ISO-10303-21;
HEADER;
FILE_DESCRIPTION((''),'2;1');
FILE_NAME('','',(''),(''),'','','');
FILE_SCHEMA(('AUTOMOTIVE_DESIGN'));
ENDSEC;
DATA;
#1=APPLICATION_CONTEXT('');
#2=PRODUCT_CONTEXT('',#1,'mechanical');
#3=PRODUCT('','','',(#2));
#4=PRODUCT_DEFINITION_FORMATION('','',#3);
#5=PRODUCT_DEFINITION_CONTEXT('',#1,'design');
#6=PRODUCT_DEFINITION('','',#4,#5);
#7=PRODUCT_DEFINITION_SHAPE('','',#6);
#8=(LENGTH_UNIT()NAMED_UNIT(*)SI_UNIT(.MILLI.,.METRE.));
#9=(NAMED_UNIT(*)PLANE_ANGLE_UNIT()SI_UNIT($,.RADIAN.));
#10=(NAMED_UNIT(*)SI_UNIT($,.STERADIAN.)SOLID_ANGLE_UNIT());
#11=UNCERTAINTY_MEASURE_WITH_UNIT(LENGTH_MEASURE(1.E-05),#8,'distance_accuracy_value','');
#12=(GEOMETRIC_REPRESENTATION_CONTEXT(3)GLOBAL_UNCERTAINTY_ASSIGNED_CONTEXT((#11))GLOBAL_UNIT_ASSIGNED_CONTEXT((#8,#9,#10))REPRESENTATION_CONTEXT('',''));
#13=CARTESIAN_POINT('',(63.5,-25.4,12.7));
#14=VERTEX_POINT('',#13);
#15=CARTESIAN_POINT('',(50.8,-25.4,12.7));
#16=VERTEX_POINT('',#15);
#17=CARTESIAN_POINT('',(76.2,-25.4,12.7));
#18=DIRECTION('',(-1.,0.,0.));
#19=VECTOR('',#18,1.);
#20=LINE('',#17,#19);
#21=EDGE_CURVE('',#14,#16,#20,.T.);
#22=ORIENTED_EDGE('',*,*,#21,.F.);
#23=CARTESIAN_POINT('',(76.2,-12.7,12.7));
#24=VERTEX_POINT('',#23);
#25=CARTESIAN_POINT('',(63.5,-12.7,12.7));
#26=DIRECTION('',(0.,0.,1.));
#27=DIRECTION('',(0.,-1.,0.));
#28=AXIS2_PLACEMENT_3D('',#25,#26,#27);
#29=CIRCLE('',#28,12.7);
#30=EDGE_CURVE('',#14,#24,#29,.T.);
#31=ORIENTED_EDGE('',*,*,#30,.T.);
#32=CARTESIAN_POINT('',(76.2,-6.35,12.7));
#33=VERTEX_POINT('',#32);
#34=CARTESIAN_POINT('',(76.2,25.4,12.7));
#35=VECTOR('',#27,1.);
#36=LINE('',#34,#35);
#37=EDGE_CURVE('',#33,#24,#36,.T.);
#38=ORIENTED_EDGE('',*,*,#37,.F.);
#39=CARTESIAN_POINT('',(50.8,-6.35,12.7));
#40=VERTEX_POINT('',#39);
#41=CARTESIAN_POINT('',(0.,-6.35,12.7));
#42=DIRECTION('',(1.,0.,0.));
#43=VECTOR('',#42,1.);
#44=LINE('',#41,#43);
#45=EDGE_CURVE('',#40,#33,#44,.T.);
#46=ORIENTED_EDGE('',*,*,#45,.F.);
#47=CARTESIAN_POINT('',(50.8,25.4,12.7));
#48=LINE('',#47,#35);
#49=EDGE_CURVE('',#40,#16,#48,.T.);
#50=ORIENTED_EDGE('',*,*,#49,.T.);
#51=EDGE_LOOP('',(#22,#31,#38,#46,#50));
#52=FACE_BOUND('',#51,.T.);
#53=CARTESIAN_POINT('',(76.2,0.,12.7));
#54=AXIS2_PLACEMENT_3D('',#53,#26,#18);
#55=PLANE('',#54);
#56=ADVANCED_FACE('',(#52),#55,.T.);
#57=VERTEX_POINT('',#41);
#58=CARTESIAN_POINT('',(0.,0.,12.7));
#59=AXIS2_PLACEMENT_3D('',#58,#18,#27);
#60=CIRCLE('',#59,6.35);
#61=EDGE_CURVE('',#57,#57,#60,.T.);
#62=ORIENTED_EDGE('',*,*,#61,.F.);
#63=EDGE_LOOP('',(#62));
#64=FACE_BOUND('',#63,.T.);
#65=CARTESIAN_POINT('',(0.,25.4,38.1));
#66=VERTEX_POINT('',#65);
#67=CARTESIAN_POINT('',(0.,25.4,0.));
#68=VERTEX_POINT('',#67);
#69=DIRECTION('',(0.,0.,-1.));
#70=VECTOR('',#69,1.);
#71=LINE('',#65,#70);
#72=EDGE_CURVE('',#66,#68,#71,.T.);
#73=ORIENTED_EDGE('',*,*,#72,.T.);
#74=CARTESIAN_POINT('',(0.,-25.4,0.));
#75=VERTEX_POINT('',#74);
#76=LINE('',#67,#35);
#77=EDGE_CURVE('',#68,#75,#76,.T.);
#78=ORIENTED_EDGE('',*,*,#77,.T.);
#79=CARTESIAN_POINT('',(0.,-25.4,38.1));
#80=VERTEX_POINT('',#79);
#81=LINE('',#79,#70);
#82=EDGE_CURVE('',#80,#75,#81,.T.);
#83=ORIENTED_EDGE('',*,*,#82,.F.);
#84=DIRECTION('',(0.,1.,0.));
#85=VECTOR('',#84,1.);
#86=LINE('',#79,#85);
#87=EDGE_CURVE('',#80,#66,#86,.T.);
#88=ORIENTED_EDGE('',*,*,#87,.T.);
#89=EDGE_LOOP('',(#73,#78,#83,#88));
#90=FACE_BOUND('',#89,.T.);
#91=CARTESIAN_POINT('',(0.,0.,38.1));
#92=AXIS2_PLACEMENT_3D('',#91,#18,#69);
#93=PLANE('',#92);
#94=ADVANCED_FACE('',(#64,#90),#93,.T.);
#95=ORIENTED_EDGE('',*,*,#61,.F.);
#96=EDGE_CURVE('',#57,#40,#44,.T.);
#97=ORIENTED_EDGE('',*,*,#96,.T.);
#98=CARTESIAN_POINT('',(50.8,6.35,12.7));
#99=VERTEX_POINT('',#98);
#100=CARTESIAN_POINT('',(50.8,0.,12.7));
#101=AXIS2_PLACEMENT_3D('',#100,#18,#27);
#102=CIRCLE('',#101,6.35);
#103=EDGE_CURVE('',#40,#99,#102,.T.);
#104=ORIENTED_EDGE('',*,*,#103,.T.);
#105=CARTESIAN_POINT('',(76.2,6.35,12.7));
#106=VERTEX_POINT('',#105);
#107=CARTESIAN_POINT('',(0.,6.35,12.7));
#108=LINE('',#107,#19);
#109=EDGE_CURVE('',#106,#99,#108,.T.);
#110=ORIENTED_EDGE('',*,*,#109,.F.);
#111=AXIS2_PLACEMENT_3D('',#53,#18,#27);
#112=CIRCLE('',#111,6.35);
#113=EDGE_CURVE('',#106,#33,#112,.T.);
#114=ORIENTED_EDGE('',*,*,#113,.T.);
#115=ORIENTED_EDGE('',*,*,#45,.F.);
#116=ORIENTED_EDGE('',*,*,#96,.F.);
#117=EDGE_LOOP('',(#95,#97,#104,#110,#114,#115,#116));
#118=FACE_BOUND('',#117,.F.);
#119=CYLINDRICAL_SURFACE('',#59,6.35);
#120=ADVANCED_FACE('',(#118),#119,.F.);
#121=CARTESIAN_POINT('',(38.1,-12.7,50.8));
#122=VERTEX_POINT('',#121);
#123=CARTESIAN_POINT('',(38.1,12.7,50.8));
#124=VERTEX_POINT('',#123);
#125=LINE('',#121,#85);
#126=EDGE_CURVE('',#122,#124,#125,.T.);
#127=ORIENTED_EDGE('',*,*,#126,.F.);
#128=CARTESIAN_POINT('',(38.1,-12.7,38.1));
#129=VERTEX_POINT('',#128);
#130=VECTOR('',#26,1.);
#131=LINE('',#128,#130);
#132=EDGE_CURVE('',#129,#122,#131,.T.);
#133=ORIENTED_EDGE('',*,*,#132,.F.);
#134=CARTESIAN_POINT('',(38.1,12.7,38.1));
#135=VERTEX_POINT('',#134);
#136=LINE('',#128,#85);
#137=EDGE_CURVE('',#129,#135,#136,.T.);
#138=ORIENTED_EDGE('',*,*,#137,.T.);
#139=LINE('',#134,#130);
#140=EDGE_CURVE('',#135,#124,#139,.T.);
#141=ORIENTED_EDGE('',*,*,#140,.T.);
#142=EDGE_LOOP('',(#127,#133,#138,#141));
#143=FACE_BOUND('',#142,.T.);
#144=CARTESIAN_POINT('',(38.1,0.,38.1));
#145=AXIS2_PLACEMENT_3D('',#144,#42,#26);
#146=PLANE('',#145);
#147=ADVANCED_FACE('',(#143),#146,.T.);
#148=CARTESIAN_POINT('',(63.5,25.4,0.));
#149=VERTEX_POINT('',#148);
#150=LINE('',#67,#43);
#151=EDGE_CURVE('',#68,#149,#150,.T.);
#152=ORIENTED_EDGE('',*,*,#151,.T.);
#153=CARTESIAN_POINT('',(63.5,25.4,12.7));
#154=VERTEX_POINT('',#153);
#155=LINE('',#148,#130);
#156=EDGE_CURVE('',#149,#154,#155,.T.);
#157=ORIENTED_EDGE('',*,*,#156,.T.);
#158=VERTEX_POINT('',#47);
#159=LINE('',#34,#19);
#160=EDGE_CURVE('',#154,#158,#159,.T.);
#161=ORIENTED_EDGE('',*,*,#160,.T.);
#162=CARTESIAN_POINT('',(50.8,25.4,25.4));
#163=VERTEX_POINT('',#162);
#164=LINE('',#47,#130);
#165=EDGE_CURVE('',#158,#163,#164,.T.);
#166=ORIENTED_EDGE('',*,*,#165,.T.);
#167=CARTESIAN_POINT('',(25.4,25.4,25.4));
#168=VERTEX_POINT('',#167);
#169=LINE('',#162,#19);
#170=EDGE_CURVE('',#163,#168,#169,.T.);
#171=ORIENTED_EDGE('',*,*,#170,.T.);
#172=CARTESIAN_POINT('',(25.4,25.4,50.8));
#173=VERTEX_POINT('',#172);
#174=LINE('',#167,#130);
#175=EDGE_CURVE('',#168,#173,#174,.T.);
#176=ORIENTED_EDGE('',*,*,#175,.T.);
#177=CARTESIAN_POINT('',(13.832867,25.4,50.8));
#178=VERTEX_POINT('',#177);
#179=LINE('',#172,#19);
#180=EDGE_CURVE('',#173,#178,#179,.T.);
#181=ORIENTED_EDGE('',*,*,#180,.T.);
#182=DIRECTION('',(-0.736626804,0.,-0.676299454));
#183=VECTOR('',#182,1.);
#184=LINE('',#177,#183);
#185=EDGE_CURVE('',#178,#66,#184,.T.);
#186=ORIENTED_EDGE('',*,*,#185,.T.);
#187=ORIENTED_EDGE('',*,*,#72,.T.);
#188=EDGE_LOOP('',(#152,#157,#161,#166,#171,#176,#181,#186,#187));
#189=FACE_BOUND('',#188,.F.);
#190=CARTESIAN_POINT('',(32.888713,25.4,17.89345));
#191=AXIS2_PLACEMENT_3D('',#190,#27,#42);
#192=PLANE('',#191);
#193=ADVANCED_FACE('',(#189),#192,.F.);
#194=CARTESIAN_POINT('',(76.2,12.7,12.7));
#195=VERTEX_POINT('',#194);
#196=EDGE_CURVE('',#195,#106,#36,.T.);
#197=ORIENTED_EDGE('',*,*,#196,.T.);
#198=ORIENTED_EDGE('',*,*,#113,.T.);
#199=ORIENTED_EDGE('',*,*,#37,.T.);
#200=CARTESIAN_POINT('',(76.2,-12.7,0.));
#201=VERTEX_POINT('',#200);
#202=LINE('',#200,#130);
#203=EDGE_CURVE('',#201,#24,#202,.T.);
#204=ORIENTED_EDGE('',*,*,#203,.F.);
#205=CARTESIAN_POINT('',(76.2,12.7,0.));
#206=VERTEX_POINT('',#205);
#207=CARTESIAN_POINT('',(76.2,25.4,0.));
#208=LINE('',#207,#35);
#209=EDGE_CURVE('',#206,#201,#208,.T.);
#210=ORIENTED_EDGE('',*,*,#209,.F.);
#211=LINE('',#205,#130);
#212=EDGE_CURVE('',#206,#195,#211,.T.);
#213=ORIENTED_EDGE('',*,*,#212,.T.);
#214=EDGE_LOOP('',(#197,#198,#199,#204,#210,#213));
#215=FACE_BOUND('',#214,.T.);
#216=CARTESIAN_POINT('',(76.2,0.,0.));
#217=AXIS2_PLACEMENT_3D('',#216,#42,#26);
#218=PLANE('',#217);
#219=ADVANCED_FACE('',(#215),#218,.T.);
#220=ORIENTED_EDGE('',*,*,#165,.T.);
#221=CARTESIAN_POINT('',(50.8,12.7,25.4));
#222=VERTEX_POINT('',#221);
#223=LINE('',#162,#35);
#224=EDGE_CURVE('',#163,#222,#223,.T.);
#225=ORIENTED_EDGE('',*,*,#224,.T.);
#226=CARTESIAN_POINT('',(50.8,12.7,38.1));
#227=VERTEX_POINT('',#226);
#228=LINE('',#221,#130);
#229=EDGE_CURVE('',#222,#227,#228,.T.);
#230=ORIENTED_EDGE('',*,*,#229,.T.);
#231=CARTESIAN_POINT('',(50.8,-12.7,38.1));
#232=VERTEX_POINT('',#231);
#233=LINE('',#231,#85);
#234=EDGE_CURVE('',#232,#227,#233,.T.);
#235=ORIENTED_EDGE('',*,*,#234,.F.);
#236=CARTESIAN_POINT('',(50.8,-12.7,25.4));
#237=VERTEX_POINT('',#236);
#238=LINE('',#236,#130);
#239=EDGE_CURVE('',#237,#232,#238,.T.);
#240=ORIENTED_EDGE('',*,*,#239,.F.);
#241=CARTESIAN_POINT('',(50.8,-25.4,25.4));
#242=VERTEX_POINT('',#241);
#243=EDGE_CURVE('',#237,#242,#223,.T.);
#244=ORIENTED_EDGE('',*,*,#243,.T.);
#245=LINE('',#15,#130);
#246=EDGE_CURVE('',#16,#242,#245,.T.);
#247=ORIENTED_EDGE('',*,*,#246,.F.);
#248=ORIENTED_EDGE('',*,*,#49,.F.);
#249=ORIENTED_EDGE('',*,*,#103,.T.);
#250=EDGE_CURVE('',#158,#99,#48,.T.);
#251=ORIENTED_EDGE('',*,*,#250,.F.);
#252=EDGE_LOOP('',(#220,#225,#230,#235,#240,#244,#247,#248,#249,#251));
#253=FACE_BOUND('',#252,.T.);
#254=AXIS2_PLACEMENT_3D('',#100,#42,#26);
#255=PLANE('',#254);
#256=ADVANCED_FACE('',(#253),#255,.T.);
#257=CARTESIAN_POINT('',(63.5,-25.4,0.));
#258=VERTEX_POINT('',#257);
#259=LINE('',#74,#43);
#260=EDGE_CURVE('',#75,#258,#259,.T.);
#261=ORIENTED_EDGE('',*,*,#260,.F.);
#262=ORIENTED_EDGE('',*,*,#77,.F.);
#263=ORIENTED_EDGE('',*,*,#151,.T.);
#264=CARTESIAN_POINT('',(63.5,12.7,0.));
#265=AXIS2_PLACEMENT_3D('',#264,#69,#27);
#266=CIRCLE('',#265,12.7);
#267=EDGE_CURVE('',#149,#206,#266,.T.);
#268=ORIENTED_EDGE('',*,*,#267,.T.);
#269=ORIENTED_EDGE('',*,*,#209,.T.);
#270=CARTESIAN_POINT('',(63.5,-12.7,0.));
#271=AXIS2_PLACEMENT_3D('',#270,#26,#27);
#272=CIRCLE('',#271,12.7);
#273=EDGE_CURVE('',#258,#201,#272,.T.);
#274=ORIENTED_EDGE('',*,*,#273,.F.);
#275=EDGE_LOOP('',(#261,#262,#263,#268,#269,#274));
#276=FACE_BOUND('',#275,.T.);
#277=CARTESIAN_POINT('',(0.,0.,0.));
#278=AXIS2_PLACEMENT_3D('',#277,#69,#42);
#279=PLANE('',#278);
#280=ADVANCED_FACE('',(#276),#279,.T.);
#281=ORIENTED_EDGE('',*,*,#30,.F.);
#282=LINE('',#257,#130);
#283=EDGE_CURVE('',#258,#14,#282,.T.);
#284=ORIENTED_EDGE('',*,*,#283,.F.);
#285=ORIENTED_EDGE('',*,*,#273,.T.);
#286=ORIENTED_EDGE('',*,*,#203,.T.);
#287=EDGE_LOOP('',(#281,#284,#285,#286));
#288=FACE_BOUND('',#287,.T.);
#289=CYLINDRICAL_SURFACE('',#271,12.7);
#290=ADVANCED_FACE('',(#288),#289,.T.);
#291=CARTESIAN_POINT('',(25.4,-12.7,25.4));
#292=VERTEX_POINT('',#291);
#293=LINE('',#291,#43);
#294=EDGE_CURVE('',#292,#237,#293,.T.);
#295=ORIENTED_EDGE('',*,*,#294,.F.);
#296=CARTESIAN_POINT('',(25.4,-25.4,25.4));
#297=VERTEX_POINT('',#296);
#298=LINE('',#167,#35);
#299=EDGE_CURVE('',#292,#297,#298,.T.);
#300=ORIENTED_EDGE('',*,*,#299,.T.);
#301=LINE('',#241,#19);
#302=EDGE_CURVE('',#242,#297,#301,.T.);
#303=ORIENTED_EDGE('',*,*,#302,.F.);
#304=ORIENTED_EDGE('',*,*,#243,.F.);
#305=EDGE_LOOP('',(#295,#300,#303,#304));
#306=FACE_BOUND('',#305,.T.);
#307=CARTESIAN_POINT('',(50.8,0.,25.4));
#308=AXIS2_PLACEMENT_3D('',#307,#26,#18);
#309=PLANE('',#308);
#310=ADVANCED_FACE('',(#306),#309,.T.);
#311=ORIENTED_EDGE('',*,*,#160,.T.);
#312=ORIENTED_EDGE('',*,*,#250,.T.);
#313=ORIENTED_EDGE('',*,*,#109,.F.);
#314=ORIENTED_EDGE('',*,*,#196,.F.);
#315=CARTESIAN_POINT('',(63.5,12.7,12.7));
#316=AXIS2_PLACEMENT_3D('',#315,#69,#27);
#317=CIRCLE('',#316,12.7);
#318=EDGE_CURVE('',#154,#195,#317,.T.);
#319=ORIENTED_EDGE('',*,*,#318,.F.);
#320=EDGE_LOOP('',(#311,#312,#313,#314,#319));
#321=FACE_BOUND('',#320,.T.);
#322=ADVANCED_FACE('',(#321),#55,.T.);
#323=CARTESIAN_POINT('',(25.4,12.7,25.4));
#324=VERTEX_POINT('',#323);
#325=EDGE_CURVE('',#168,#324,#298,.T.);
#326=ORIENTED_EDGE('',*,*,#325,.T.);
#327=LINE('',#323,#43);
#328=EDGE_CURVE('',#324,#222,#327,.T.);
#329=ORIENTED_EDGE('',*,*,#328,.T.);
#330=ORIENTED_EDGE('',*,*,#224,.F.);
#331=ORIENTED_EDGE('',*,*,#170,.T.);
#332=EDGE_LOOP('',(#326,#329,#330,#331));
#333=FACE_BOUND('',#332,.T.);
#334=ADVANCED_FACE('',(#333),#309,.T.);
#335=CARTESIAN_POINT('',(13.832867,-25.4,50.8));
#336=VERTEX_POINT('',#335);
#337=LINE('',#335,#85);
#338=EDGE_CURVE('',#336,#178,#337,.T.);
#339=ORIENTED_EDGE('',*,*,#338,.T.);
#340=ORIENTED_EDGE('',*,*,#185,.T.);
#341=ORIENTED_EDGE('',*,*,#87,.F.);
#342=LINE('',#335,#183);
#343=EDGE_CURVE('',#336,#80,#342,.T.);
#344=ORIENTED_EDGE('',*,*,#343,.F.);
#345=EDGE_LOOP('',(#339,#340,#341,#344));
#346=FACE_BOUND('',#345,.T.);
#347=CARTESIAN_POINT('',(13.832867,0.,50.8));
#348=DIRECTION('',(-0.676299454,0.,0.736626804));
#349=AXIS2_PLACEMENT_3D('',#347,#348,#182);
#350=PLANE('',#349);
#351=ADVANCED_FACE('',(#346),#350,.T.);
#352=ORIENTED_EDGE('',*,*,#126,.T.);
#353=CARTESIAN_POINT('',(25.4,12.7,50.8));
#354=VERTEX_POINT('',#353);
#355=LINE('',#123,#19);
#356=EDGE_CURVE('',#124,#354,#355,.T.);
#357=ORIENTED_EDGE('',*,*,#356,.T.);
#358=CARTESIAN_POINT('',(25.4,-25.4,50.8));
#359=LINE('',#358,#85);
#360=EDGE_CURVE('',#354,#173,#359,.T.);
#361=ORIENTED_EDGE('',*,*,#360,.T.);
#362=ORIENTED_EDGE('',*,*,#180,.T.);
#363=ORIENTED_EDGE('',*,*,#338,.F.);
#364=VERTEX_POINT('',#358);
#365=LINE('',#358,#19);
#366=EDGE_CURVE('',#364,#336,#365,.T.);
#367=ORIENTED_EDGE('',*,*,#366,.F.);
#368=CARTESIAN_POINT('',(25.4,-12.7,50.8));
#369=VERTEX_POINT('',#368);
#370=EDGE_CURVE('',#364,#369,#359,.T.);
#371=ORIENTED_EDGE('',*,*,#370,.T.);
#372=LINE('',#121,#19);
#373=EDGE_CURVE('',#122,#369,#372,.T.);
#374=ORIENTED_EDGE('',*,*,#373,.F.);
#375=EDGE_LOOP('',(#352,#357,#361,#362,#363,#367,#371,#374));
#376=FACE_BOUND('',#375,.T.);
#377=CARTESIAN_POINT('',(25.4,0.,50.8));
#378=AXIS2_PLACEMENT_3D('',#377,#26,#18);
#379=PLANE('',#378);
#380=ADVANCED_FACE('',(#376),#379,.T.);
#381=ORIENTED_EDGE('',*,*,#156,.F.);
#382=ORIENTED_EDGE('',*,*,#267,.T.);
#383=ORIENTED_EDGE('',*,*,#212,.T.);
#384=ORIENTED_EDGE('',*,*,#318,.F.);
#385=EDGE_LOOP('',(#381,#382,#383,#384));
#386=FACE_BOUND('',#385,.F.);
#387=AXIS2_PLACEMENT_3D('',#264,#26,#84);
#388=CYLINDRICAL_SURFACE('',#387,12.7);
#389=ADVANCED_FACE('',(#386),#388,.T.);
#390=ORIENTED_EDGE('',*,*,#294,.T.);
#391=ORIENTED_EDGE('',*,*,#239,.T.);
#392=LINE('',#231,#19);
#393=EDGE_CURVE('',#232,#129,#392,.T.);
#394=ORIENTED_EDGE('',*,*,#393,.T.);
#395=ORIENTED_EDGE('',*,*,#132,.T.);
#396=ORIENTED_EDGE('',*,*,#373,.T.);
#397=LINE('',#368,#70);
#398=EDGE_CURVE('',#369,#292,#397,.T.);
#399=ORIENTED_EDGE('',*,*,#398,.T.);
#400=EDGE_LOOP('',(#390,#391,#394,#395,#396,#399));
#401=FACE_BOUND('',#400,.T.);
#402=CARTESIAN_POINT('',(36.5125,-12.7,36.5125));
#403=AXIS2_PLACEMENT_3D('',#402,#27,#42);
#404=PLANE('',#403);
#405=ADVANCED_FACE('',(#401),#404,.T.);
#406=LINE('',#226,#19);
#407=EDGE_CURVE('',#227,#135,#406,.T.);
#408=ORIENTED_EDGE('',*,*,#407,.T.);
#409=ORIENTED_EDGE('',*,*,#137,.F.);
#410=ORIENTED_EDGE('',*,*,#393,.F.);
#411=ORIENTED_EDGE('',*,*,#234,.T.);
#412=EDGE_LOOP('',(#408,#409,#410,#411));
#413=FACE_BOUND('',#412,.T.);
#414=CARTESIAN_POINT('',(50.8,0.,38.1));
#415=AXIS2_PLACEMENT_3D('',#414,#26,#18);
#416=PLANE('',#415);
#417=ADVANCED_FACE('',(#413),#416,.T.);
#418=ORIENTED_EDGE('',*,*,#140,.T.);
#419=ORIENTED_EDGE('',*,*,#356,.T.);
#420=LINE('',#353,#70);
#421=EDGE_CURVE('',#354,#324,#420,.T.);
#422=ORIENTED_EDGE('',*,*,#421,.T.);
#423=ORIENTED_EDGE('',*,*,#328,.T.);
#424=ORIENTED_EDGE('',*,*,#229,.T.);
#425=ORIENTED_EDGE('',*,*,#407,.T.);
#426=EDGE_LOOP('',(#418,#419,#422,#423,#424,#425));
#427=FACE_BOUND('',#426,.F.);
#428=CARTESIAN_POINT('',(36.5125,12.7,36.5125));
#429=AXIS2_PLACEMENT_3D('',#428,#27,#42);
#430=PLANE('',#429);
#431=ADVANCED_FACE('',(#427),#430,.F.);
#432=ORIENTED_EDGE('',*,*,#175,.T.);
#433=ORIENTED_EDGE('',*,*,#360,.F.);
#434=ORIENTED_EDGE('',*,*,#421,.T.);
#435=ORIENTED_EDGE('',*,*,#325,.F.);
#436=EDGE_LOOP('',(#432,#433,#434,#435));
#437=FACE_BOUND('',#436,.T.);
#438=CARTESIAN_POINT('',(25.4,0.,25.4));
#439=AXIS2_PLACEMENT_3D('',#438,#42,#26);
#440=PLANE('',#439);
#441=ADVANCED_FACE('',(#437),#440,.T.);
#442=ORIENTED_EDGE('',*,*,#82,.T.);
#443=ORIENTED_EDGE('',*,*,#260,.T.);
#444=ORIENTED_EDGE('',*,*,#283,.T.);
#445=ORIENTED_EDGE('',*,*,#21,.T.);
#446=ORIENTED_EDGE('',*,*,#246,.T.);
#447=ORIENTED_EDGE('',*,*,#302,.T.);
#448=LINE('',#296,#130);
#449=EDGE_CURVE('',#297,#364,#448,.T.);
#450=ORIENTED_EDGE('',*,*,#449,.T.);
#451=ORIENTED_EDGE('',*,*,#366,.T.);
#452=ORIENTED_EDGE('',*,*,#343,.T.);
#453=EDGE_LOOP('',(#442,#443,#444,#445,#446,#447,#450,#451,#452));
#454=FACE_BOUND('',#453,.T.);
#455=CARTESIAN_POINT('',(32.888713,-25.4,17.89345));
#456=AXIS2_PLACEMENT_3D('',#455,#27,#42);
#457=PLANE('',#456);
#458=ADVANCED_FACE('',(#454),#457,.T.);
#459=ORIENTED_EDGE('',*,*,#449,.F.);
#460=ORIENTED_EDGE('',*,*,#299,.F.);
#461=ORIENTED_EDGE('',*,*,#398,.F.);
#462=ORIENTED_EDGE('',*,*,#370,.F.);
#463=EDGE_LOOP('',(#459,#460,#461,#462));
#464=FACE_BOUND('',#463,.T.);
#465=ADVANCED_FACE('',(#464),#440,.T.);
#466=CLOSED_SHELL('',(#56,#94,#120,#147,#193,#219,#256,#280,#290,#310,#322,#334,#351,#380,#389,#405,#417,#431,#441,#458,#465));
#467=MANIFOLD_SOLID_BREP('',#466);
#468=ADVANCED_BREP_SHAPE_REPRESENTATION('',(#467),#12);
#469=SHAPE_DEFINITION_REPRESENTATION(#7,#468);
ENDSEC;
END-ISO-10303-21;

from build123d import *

# Parameters (mm, degrees)
F1_DEPTH = 25.4
F2_DEPTH = 12.7
F3_R     = 6.35
F4_DEPTH = 76.201
F5_R     = 12.7


with BuildPart() as f1:
    # F0 (on Front) → F1 (new body, symmetric)
    with BuildSketch(Plane.XZ):
        Polygon((0, 38.1), (0, 0), (76.2, 0), (76.2, 12.7), (50.8, 12.7), (50.8, 25.4), (25.4, 25.4), (25.4, 50.8), (13.832867, 50.8), align=None)
    extrude(amount=F1_DEPTH, both=True)

    # F0 (on Front) → F2 (join, symmetric)
    with BuildSketch(Plane.XZ):
        Polygon((38.1, 50.8), (25.4, 50.8), (25.4, 25.4), (50.8, 25.4), (50.8, 38.1), (38.1, 38.1), align=None)
    extrude(amount=F2_DEPTH, both=True)

    # F3 (on face) → F4 (cut, through all)
    with BuildSketch(Plane(origin=(0, 0, 0), x_dir=(0, -1, 0), z_dir=(-1, 0, 0))):
        with Locations((0, 12.7)):
            Circle(F3_R)
    extrude(amount=-F4_DEPTH, mode=Mode.SUBTRACT)

    # F5
    f5_edges = [f1.edges().sort_by_distance(p)[0] for p in [
        (76.2, 25.4, 6.35),
        (76.2, -25.4, 6.35),
    ]]
    fillet(f5_edges, radius=F5_R)


solid = f1.part
